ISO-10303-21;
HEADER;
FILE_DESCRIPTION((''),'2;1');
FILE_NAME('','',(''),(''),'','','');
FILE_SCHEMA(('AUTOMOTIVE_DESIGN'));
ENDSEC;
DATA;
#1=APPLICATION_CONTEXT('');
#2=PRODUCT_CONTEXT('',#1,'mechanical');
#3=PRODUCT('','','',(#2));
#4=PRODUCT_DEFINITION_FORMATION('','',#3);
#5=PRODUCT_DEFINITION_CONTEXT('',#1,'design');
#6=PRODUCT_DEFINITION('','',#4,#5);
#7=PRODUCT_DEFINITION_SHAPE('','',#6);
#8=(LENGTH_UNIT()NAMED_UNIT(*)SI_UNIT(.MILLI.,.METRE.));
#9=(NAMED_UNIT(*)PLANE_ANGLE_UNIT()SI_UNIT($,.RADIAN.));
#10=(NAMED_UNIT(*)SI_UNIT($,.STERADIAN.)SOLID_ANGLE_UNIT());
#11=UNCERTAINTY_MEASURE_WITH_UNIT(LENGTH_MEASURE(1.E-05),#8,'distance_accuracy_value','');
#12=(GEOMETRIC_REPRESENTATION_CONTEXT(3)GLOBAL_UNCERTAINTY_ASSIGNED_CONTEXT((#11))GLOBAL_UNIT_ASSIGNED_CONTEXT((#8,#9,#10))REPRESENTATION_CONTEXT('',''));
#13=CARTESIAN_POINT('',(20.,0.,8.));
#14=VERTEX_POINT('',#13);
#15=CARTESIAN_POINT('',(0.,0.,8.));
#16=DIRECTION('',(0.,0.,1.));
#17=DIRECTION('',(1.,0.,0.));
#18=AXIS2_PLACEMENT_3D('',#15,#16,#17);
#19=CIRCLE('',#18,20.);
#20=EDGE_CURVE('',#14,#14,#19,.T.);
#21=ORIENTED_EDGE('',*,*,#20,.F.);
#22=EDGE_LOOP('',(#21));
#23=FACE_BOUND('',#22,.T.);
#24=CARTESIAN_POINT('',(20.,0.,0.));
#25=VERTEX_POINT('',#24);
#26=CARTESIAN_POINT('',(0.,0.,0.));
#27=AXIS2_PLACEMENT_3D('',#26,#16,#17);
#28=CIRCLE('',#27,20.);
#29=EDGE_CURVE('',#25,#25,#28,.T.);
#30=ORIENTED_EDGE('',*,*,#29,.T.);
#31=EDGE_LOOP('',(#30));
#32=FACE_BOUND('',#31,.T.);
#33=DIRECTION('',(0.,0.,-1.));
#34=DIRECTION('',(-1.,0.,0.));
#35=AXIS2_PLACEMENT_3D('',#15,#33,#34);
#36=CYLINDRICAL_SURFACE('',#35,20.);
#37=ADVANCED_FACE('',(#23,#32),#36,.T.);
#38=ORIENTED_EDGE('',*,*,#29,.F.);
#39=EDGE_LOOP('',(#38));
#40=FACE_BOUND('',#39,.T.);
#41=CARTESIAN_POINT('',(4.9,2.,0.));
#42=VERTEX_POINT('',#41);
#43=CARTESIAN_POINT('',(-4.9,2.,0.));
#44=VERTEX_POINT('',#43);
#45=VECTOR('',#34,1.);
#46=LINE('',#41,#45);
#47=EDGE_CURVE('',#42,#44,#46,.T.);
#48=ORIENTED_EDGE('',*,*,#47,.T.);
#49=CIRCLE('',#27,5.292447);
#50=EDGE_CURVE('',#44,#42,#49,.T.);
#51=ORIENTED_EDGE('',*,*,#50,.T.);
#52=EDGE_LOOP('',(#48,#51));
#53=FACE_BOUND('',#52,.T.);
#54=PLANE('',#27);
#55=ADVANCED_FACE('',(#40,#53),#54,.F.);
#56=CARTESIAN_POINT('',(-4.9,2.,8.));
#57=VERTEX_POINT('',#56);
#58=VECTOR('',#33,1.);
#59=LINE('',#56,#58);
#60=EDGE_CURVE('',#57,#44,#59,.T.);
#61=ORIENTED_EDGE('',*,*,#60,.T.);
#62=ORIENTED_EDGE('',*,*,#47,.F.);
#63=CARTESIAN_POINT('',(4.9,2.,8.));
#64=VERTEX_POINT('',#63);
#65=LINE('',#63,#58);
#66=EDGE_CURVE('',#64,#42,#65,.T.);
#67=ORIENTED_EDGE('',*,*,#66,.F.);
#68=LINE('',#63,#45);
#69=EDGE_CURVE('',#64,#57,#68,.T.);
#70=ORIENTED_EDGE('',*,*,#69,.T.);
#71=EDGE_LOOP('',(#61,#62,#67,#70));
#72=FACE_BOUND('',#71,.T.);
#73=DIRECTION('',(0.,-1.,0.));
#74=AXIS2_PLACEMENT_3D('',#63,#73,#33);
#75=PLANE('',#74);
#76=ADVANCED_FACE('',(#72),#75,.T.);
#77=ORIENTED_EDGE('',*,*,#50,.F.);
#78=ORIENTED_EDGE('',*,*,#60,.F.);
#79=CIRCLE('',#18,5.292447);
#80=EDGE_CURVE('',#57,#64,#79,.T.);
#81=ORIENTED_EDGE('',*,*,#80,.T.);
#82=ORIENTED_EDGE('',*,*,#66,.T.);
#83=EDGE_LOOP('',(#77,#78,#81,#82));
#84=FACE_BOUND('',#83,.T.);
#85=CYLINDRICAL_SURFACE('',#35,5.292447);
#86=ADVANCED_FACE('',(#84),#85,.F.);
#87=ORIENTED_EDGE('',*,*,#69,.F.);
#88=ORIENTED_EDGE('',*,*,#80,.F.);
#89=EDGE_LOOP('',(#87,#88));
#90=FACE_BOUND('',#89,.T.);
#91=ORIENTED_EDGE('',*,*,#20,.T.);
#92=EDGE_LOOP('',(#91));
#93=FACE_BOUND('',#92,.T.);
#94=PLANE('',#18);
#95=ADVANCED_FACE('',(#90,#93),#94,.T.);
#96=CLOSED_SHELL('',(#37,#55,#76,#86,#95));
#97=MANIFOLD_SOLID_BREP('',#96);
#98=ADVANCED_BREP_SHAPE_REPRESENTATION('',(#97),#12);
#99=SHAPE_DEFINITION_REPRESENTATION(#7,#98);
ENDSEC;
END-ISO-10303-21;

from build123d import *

# Parameters (mm, degrees)
SKETCH_1_R      = 20
EXTRUDE_1_DEPTH = 8


with BuildPart() as part:
    # 草图1 → 凸台-拉伸1 (new body)
    with BuildSketch(Plane.XY):
        Circle(SKETCH_1_R)
        with BuildLine():
            Line((4.9, 2), (-4.9, 2))
            ThreePointArc((-4.9, 2), (0, -5.292447449), (4.9, 2))
        make_face(mode=Mode.SUBTRACT)
    extrude(amount=EXTRUDE_1_DEPTH)


solid = part.part
